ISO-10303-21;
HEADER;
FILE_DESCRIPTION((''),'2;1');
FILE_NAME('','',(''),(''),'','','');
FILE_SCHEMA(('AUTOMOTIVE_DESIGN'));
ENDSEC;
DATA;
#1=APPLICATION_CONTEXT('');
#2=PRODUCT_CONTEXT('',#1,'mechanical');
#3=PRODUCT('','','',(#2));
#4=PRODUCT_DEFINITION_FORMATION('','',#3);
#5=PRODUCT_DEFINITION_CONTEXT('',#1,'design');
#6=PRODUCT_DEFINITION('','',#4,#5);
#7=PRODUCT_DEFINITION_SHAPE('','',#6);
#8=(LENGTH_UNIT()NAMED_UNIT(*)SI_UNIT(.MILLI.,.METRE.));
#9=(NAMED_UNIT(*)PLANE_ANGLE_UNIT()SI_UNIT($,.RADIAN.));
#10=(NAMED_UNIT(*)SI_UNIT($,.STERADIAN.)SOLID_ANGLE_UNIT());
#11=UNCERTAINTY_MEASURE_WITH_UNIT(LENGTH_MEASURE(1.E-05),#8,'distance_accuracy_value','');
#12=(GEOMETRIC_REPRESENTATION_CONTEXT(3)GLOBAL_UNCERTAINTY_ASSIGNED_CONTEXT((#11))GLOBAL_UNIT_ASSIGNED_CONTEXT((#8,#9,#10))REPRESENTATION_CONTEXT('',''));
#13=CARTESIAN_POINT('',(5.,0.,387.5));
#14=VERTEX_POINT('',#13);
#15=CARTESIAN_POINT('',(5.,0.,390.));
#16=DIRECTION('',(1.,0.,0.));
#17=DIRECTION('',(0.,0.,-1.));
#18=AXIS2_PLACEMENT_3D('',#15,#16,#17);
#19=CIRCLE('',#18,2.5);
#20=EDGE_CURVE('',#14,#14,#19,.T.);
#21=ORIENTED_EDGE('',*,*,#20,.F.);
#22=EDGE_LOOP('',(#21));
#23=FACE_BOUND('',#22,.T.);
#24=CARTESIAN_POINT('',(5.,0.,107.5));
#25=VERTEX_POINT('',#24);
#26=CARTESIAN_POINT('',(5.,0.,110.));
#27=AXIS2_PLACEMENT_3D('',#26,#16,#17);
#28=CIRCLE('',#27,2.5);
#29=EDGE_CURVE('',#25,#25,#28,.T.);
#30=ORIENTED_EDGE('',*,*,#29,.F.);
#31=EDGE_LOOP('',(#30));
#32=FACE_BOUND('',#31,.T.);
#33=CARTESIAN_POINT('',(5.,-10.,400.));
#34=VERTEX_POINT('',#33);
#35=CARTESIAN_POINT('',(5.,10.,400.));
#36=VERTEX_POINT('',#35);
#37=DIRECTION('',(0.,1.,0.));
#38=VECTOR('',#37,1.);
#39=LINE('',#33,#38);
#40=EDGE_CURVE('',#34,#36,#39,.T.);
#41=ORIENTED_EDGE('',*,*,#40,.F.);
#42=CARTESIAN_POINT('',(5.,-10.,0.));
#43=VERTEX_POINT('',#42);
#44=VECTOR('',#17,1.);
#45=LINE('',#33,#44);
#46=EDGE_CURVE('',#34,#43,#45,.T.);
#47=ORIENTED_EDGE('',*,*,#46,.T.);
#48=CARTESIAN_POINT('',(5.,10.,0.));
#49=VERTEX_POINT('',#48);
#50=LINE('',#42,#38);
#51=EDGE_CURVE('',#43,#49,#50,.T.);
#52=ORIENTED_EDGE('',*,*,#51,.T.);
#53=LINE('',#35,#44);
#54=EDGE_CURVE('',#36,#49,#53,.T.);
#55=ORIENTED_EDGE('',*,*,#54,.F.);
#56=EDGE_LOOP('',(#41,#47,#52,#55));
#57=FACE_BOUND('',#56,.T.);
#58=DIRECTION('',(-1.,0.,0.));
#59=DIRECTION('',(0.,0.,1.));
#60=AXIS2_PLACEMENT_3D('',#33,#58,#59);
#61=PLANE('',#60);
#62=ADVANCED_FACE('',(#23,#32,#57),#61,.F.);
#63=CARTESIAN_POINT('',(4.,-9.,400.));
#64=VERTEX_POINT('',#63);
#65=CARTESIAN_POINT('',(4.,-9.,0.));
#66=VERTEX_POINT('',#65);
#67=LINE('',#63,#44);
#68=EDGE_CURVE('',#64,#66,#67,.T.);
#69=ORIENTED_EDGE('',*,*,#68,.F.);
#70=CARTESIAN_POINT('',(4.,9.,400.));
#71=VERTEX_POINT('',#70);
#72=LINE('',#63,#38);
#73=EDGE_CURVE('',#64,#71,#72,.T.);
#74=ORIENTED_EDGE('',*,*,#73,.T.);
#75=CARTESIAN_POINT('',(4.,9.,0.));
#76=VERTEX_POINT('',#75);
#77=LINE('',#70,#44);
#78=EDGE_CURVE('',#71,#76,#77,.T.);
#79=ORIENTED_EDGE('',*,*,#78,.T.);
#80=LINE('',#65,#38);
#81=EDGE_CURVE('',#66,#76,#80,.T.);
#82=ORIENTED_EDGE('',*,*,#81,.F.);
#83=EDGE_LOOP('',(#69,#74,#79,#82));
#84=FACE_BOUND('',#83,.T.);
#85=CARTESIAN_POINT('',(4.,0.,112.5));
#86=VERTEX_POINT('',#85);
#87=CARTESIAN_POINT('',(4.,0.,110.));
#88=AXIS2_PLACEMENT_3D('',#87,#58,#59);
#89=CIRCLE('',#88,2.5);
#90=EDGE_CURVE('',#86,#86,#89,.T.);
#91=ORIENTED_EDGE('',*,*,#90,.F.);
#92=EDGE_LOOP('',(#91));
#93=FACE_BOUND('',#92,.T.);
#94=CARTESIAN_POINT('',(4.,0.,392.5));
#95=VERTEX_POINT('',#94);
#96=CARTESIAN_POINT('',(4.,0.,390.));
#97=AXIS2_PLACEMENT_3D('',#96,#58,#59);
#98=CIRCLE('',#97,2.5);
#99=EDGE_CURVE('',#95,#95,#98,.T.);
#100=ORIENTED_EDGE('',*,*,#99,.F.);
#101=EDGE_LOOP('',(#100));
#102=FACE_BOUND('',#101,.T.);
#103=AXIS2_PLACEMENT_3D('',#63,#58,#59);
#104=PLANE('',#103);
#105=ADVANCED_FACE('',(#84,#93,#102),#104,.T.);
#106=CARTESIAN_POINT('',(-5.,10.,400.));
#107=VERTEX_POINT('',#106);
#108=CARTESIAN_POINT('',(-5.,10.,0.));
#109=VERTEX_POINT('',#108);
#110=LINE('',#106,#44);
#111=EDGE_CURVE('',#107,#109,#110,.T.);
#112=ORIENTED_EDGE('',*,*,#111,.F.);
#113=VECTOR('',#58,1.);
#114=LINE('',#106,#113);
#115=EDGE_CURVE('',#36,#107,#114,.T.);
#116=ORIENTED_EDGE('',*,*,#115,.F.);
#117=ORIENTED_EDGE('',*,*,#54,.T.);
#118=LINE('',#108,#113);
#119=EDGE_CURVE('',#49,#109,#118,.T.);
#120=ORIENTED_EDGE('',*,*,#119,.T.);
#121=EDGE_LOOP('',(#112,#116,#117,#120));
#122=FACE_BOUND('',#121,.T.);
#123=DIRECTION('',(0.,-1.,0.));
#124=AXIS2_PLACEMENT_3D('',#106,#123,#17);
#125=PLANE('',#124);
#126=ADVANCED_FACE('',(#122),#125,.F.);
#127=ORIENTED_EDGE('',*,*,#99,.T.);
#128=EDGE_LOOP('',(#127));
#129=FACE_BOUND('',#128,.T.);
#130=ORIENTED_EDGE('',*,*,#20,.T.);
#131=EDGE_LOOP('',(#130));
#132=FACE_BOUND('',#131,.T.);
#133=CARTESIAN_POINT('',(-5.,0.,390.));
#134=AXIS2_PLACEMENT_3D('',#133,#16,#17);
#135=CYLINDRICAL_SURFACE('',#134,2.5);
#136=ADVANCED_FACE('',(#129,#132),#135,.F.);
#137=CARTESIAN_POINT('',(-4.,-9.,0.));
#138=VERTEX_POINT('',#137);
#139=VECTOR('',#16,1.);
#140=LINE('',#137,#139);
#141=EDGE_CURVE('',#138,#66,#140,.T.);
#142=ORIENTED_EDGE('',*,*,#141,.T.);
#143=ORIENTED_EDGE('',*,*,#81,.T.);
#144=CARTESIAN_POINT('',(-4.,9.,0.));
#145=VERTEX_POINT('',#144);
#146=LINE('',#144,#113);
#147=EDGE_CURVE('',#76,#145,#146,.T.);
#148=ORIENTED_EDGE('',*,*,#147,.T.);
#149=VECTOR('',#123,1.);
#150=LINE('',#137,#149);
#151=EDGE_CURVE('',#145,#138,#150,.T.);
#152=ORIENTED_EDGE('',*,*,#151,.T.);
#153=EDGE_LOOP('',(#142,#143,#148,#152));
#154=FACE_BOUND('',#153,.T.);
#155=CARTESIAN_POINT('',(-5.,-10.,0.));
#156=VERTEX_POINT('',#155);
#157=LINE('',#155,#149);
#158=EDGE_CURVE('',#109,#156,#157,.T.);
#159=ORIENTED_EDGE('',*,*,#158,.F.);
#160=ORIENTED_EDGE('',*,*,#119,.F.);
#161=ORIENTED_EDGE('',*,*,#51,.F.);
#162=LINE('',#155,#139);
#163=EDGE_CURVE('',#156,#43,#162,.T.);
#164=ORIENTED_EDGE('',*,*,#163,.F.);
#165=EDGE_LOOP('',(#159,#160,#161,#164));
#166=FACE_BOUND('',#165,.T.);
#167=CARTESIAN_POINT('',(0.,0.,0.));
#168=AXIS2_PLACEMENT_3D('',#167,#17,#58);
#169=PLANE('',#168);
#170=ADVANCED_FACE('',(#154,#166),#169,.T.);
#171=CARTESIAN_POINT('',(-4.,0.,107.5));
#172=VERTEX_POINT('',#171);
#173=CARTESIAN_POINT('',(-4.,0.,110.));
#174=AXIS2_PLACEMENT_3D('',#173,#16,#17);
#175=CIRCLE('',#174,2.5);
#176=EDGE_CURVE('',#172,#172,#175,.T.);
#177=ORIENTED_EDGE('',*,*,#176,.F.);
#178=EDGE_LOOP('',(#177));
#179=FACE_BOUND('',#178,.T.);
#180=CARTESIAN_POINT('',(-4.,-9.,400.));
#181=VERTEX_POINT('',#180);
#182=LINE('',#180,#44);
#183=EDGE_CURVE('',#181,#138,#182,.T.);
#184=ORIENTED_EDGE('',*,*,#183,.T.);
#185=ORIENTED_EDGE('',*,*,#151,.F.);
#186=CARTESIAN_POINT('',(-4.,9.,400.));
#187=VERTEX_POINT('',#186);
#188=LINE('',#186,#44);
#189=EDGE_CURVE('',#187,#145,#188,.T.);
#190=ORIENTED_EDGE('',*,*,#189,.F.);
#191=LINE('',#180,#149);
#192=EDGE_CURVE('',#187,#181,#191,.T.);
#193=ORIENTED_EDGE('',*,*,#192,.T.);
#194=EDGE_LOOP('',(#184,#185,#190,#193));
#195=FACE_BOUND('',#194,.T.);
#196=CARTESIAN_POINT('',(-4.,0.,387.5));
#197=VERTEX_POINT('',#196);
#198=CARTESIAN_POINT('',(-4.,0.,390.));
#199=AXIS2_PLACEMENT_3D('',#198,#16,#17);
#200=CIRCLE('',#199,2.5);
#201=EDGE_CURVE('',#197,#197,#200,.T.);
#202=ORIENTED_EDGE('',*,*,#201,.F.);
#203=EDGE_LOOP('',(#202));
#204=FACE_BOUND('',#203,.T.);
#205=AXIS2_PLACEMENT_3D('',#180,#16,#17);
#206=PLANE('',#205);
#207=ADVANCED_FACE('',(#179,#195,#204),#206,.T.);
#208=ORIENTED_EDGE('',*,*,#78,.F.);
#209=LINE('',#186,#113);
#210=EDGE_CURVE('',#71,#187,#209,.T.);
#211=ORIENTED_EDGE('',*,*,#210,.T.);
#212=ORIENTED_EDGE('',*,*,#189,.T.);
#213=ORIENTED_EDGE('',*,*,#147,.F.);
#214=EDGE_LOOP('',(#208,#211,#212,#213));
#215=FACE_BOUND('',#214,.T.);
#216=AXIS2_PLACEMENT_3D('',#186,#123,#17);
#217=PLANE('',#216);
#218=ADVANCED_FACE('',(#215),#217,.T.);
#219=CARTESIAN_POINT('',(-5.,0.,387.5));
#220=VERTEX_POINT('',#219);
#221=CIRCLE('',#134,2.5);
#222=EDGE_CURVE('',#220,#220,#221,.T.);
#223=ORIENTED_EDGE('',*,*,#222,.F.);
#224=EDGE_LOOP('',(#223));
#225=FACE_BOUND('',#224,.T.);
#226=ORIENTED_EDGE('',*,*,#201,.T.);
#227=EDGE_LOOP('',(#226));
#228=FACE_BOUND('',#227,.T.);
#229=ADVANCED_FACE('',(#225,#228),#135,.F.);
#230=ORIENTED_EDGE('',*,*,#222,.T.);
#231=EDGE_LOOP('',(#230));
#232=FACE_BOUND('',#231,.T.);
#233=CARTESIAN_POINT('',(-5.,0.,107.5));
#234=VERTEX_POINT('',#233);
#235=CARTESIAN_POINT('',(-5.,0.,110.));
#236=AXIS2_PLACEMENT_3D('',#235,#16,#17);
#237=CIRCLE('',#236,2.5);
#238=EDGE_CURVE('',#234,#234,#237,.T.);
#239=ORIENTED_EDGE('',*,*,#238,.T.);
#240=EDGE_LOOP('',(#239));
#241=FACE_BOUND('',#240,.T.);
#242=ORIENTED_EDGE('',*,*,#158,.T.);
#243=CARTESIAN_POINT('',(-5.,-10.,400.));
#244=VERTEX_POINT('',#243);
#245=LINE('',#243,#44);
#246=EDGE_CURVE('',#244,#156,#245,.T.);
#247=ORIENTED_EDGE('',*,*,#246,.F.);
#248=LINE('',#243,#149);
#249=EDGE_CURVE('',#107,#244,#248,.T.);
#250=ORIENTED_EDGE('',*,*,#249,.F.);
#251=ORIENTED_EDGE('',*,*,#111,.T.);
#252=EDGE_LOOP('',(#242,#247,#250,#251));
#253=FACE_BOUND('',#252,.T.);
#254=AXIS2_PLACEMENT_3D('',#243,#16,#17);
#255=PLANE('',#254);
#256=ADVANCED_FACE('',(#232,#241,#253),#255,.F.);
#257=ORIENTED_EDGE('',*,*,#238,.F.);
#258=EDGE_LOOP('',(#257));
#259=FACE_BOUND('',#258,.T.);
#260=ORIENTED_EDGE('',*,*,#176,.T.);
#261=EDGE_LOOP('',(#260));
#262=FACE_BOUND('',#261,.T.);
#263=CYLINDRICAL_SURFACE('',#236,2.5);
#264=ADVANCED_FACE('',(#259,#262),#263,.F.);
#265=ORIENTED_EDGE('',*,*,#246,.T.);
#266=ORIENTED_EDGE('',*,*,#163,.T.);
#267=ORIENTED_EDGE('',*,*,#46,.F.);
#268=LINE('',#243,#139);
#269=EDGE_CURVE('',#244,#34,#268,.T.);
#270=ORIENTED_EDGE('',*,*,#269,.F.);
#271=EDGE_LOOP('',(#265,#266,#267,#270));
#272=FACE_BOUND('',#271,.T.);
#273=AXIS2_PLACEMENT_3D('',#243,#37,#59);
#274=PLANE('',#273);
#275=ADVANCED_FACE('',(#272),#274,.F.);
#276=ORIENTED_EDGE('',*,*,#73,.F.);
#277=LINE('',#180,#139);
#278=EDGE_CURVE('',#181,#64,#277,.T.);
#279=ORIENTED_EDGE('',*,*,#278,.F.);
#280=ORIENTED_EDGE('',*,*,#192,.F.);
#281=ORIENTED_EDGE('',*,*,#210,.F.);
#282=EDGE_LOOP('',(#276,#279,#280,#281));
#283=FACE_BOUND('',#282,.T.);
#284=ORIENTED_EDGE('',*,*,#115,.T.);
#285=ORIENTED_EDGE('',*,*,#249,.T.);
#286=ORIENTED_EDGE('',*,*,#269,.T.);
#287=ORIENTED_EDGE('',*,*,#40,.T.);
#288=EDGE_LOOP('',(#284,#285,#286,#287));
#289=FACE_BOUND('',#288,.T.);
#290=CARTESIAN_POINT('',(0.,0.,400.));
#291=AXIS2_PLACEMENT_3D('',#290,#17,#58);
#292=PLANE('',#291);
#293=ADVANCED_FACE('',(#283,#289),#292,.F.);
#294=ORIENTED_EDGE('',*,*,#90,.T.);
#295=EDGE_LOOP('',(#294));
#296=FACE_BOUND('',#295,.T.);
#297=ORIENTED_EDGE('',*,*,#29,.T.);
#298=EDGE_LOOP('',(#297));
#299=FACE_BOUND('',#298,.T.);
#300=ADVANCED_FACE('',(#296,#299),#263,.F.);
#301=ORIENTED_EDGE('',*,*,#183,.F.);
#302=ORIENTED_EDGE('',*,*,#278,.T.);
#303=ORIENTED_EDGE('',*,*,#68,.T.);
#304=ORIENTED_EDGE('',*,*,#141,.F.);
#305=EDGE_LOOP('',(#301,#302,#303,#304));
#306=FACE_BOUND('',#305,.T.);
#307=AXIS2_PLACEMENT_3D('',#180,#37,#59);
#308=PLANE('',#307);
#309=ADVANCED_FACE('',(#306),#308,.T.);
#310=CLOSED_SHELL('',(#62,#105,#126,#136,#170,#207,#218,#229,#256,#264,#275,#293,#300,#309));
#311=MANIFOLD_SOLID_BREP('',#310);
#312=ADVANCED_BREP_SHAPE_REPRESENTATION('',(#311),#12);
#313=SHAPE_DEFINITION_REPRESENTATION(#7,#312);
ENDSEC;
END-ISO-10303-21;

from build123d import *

# Parameters (mm, degrees)
SKETCH1_W           = 10
SKETCH1_H           = 20
SKETCH1_W_2         = 8
SKETCH1_H_2         = 18
BOSS_EXTRUDE1_DEPTH = 400
SKETCH2_R           = 2.5
CUT_EXTRUDE1_DEPTH  = 401.249921924


with BuildPart() as part:
    # Sketch1 → Boss-Extrude1 (new body)
    with BuildSketch(Plane.XY):
        Rectangle(SKETCH1_W, SKETCH1_H)
        Rectangle(SKETCH1_W_2, SKETCH1_H_2, mode=Mode.SUBTRACT)
    extrude(amount=BOSS_EXTRUDE1_DEPTH)

    # Sketch2 → Cut-Extrude1 (cut, through all)
    with BuildSketch(Plane(origin=(5, 0, 0), x_dir=(0, 0, -1), z_dir=(1, 0, 0))):
        with Locations((-110, 0)):
            Circle(SKETCH2_R)
        with Locations((-390, 0)):
            Circle(SKETCH2_R)
    extrude(amount=-CUT_EXTRUDE1_DEPTH, mode=Mode.SUBTRACT)


solid = part.part
